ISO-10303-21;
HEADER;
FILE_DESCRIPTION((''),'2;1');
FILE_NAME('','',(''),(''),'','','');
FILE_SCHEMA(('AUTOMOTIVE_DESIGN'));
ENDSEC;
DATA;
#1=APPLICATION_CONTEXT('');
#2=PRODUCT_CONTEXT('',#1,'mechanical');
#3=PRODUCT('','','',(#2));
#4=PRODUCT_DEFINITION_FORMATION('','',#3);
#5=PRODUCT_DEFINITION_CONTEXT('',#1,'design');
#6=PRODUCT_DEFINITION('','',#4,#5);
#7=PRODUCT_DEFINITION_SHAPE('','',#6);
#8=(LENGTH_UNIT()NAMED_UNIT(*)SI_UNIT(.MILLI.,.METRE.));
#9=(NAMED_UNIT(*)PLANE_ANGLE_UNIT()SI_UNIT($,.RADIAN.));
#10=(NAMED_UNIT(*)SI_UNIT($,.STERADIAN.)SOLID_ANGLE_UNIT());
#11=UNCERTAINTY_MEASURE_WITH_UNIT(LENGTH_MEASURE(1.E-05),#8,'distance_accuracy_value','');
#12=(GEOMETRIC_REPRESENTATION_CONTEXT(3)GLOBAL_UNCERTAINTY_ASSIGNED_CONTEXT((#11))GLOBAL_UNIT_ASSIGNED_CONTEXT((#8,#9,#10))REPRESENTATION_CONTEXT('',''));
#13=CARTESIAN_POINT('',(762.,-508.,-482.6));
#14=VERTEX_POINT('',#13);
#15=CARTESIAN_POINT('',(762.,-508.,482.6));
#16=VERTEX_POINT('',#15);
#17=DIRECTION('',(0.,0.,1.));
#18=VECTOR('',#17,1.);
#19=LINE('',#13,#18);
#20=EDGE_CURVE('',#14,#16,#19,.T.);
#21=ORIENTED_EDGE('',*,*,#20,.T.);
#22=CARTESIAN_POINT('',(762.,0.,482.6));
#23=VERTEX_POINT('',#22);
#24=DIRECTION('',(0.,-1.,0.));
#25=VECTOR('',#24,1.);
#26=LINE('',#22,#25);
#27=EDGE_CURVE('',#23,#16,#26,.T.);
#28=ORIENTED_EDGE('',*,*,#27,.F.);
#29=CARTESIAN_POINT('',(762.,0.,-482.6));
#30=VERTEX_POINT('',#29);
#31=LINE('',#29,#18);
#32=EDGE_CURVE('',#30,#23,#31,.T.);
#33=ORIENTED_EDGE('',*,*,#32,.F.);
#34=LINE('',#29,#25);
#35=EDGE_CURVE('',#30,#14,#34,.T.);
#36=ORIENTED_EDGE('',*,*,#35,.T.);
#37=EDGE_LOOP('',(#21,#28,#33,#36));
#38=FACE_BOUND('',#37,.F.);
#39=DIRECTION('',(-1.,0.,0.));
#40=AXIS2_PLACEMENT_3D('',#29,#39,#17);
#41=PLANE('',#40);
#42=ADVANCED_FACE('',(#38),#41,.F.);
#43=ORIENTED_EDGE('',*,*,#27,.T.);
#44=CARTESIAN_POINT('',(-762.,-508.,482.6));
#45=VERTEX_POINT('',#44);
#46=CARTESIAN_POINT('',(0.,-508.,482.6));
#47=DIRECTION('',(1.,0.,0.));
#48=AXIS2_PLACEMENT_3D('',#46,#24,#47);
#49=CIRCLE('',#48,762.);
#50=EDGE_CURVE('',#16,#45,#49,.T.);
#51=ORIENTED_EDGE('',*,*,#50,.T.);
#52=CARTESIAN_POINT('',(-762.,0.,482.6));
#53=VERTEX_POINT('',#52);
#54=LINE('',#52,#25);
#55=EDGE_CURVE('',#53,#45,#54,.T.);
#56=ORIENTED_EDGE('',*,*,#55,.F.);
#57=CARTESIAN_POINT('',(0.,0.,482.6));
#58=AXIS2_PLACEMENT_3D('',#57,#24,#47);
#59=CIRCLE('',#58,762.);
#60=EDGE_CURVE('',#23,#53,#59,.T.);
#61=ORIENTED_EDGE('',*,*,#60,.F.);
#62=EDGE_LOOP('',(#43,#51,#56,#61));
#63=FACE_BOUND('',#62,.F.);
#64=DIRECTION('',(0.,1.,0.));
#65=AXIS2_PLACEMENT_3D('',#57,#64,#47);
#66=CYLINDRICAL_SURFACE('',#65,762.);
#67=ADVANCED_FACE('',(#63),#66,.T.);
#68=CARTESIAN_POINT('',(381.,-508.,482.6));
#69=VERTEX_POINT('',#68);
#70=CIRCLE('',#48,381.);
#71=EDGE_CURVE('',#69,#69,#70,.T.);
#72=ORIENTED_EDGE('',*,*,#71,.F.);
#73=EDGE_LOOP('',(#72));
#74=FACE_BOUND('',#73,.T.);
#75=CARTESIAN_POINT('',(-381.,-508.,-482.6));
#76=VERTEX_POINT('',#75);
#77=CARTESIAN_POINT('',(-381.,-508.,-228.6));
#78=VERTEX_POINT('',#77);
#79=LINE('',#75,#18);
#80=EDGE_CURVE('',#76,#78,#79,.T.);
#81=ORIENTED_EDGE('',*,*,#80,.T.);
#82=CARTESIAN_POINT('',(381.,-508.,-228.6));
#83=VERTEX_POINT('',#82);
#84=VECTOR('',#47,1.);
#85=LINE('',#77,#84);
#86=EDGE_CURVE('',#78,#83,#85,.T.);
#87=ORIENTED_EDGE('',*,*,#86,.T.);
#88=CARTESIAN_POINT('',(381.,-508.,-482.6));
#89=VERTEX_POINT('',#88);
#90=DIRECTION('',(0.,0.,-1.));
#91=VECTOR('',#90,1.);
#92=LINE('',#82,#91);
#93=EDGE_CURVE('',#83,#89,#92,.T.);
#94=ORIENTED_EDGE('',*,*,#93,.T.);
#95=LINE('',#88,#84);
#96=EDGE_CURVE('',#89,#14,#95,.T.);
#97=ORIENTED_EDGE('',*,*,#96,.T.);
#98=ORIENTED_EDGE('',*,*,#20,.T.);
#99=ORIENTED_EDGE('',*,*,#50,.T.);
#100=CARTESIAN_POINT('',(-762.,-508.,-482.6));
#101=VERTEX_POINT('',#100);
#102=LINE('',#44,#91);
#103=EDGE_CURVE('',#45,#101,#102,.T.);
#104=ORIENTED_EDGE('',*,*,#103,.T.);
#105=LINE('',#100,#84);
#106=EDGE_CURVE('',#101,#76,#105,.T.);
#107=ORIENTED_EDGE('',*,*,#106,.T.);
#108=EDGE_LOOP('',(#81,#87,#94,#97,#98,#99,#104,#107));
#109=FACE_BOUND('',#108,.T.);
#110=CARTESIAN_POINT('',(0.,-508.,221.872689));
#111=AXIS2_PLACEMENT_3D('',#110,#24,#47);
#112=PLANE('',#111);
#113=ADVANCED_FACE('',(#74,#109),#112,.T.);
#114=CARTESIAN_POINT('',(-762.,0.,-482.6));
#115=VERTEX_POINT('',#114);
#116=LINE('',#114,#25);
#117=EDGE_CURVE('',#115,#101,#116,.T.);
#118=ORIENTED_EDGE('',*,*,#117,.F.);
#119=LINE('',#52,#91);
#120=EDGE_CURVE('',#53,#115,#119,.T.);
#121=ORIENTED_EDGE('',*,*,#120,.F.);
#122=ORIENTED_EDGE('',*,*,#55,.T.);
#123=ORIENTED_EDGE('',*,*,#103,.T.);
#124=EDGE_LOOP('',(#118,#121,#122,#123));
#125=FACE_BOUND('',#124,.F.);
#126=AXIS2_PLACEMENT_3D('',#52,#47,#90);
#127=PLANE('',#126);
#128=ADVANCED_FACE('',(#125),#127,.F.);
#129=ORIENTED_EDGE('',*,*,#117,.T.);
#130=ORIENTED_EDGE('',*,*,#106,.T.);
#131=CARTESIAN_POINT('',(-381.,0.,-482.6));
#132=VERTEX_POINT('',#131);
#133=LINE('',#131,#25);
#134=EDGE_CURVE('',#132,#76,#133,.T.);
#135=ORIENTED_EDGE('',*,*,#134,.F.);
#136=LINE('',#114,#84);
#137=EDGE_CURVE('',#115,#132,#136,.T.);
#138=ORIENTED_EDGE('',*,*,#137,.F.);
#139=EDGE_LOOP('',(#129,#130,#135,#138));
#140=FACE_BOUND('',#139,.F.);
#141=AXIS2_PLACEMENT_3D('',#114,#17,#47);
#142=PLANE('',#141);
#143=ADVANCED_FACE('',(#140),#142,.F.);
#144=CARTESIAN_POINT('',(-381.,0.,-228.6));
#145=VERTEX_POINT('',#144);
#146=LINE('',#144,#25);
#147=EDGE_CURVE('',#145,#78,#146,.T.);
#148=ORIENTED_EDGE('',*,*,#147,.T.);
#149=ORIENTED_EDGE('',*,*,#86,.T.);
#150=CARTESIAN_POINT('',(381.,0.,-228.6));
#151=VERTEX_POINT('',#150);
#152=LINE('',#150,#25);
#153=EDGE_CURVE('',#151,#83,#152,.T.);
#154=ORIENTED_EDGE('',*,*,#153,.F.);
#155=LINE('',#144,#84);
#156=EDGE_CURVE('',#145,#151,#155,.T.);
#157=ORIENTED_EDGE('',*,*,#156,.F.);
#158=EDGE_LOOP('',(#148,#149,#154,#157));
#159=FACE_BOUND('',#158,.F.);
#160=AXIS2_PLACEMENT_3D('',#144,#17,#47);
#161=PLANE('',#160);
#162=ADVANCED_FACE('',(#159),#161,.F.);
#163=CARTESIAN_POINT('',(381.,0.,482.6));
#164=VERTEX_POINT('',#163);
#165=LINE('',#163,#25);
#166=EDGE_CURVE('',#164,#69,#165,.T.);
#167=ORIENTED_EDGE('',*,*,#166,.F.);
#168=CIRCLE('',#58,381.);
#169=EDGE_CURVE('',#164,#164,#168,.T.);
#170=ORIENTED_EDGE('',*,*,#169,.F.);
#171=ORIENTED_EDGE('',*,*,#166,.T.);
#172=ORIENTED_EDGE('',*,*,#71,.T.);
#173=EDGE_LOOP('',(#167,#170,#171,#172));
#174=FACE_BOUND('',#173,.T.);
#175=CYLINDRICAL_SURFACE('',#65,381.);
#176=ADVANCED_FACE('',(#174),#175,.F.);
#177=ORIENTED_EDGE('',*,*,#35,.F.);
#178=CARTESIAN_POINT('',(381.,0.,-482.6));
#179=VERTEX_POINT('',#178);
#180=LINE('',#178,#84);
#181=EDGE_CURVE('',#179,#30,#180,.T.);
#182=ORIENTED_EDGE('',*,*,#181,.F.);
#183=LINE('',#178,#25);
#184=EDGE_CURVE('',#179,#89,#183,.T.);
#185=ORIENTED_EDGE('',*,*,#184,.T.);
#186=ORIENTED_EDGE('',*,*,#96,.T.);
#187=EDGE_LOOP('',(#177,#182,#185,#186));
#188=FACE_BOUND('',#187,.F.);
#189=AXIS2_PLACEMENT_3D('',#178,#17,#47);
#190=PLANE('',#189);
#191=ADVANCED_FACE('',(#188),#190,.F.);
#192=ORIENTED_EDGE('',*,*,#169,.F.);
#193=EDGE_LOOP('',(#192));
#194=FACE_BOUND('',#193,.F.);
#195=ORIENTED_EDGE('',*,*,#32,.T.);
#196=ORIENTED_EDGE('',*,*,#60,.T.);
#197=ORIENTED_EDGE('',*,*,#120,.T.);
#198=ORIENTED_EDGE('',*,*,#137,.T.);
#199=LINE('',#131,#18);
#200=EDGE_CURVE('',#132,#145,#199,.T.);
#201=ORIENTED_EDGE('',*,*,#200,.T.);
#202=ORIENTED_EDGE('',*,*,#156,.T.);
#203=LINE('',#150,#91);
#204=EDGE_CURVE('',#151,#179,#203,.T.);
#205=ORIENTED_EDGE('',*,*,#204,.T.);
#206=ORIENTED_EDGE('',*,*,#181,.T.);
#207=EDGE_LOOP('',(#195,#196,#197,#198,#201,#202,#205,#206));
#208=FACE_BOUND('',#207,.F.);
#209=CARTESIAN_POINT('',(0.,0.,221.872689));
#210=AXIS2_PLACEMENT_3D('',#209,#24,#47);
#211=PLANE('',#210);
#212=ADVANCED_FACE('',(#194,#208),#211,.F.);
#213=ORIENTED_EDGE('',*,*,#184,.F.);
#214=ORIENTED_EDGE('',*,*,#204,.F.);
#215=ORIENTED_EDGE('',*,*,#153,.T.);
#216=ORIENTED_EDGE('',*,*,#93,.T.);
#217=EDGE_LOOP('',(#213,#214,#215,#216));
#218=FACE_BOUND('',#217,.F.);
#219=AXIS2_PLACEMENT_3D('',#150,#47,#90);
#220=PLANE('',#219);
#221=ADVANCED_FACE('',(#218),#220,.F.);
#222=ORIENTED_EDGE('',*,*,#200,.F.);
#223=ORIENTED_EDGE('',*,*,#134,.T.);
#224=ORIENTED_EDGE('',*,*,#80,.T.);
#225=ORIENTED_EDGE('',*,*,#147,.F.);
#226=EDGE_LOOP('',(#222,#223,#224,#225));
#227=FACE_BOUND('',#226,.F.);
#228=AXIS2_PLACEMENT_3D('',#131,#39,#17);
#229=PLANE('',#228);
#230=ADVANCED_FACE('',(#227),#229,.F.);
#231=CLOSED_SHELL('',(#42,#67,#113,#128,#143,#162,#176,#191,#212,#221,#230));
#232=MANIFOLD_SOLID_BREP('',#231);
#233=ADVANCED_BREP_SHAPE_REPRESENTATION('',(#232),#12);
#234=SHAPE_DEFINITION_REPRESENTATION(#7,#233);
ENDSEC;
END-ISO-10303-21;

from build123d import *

# Parameters (mm, degrees)
F0_R     = 381
F1_DEPTH = 508


with BuildPart() as f1:
    # F0 (on Front) → F1 (new body)
    with BuildSketch(Plane.XZ):
        with BuildLine():
            Line((381, -482.6), (762, -482.6))
            Line((762, -482.6), (762, 482.6))
            ThreePointArc((762, 482.6), (0, 1244.6), (-762, 482.6))
            Line((-762, 482.6), (-762, -482.6))
            Line((-762, -482.6), (-381, -482.6))
            Line((-381, -482.6), (-381, -228.6))
            Line((-381, -228.6), (381, -228.6))
            Line((381, -228.6), (381, -482.6))
        make_face()
        with Locations((0, 482.6)):
            Circle(F0_R, mode=Mode.SUBTRACT)
    extrude(amount=F1_DEPTH)


solid = f1.part
